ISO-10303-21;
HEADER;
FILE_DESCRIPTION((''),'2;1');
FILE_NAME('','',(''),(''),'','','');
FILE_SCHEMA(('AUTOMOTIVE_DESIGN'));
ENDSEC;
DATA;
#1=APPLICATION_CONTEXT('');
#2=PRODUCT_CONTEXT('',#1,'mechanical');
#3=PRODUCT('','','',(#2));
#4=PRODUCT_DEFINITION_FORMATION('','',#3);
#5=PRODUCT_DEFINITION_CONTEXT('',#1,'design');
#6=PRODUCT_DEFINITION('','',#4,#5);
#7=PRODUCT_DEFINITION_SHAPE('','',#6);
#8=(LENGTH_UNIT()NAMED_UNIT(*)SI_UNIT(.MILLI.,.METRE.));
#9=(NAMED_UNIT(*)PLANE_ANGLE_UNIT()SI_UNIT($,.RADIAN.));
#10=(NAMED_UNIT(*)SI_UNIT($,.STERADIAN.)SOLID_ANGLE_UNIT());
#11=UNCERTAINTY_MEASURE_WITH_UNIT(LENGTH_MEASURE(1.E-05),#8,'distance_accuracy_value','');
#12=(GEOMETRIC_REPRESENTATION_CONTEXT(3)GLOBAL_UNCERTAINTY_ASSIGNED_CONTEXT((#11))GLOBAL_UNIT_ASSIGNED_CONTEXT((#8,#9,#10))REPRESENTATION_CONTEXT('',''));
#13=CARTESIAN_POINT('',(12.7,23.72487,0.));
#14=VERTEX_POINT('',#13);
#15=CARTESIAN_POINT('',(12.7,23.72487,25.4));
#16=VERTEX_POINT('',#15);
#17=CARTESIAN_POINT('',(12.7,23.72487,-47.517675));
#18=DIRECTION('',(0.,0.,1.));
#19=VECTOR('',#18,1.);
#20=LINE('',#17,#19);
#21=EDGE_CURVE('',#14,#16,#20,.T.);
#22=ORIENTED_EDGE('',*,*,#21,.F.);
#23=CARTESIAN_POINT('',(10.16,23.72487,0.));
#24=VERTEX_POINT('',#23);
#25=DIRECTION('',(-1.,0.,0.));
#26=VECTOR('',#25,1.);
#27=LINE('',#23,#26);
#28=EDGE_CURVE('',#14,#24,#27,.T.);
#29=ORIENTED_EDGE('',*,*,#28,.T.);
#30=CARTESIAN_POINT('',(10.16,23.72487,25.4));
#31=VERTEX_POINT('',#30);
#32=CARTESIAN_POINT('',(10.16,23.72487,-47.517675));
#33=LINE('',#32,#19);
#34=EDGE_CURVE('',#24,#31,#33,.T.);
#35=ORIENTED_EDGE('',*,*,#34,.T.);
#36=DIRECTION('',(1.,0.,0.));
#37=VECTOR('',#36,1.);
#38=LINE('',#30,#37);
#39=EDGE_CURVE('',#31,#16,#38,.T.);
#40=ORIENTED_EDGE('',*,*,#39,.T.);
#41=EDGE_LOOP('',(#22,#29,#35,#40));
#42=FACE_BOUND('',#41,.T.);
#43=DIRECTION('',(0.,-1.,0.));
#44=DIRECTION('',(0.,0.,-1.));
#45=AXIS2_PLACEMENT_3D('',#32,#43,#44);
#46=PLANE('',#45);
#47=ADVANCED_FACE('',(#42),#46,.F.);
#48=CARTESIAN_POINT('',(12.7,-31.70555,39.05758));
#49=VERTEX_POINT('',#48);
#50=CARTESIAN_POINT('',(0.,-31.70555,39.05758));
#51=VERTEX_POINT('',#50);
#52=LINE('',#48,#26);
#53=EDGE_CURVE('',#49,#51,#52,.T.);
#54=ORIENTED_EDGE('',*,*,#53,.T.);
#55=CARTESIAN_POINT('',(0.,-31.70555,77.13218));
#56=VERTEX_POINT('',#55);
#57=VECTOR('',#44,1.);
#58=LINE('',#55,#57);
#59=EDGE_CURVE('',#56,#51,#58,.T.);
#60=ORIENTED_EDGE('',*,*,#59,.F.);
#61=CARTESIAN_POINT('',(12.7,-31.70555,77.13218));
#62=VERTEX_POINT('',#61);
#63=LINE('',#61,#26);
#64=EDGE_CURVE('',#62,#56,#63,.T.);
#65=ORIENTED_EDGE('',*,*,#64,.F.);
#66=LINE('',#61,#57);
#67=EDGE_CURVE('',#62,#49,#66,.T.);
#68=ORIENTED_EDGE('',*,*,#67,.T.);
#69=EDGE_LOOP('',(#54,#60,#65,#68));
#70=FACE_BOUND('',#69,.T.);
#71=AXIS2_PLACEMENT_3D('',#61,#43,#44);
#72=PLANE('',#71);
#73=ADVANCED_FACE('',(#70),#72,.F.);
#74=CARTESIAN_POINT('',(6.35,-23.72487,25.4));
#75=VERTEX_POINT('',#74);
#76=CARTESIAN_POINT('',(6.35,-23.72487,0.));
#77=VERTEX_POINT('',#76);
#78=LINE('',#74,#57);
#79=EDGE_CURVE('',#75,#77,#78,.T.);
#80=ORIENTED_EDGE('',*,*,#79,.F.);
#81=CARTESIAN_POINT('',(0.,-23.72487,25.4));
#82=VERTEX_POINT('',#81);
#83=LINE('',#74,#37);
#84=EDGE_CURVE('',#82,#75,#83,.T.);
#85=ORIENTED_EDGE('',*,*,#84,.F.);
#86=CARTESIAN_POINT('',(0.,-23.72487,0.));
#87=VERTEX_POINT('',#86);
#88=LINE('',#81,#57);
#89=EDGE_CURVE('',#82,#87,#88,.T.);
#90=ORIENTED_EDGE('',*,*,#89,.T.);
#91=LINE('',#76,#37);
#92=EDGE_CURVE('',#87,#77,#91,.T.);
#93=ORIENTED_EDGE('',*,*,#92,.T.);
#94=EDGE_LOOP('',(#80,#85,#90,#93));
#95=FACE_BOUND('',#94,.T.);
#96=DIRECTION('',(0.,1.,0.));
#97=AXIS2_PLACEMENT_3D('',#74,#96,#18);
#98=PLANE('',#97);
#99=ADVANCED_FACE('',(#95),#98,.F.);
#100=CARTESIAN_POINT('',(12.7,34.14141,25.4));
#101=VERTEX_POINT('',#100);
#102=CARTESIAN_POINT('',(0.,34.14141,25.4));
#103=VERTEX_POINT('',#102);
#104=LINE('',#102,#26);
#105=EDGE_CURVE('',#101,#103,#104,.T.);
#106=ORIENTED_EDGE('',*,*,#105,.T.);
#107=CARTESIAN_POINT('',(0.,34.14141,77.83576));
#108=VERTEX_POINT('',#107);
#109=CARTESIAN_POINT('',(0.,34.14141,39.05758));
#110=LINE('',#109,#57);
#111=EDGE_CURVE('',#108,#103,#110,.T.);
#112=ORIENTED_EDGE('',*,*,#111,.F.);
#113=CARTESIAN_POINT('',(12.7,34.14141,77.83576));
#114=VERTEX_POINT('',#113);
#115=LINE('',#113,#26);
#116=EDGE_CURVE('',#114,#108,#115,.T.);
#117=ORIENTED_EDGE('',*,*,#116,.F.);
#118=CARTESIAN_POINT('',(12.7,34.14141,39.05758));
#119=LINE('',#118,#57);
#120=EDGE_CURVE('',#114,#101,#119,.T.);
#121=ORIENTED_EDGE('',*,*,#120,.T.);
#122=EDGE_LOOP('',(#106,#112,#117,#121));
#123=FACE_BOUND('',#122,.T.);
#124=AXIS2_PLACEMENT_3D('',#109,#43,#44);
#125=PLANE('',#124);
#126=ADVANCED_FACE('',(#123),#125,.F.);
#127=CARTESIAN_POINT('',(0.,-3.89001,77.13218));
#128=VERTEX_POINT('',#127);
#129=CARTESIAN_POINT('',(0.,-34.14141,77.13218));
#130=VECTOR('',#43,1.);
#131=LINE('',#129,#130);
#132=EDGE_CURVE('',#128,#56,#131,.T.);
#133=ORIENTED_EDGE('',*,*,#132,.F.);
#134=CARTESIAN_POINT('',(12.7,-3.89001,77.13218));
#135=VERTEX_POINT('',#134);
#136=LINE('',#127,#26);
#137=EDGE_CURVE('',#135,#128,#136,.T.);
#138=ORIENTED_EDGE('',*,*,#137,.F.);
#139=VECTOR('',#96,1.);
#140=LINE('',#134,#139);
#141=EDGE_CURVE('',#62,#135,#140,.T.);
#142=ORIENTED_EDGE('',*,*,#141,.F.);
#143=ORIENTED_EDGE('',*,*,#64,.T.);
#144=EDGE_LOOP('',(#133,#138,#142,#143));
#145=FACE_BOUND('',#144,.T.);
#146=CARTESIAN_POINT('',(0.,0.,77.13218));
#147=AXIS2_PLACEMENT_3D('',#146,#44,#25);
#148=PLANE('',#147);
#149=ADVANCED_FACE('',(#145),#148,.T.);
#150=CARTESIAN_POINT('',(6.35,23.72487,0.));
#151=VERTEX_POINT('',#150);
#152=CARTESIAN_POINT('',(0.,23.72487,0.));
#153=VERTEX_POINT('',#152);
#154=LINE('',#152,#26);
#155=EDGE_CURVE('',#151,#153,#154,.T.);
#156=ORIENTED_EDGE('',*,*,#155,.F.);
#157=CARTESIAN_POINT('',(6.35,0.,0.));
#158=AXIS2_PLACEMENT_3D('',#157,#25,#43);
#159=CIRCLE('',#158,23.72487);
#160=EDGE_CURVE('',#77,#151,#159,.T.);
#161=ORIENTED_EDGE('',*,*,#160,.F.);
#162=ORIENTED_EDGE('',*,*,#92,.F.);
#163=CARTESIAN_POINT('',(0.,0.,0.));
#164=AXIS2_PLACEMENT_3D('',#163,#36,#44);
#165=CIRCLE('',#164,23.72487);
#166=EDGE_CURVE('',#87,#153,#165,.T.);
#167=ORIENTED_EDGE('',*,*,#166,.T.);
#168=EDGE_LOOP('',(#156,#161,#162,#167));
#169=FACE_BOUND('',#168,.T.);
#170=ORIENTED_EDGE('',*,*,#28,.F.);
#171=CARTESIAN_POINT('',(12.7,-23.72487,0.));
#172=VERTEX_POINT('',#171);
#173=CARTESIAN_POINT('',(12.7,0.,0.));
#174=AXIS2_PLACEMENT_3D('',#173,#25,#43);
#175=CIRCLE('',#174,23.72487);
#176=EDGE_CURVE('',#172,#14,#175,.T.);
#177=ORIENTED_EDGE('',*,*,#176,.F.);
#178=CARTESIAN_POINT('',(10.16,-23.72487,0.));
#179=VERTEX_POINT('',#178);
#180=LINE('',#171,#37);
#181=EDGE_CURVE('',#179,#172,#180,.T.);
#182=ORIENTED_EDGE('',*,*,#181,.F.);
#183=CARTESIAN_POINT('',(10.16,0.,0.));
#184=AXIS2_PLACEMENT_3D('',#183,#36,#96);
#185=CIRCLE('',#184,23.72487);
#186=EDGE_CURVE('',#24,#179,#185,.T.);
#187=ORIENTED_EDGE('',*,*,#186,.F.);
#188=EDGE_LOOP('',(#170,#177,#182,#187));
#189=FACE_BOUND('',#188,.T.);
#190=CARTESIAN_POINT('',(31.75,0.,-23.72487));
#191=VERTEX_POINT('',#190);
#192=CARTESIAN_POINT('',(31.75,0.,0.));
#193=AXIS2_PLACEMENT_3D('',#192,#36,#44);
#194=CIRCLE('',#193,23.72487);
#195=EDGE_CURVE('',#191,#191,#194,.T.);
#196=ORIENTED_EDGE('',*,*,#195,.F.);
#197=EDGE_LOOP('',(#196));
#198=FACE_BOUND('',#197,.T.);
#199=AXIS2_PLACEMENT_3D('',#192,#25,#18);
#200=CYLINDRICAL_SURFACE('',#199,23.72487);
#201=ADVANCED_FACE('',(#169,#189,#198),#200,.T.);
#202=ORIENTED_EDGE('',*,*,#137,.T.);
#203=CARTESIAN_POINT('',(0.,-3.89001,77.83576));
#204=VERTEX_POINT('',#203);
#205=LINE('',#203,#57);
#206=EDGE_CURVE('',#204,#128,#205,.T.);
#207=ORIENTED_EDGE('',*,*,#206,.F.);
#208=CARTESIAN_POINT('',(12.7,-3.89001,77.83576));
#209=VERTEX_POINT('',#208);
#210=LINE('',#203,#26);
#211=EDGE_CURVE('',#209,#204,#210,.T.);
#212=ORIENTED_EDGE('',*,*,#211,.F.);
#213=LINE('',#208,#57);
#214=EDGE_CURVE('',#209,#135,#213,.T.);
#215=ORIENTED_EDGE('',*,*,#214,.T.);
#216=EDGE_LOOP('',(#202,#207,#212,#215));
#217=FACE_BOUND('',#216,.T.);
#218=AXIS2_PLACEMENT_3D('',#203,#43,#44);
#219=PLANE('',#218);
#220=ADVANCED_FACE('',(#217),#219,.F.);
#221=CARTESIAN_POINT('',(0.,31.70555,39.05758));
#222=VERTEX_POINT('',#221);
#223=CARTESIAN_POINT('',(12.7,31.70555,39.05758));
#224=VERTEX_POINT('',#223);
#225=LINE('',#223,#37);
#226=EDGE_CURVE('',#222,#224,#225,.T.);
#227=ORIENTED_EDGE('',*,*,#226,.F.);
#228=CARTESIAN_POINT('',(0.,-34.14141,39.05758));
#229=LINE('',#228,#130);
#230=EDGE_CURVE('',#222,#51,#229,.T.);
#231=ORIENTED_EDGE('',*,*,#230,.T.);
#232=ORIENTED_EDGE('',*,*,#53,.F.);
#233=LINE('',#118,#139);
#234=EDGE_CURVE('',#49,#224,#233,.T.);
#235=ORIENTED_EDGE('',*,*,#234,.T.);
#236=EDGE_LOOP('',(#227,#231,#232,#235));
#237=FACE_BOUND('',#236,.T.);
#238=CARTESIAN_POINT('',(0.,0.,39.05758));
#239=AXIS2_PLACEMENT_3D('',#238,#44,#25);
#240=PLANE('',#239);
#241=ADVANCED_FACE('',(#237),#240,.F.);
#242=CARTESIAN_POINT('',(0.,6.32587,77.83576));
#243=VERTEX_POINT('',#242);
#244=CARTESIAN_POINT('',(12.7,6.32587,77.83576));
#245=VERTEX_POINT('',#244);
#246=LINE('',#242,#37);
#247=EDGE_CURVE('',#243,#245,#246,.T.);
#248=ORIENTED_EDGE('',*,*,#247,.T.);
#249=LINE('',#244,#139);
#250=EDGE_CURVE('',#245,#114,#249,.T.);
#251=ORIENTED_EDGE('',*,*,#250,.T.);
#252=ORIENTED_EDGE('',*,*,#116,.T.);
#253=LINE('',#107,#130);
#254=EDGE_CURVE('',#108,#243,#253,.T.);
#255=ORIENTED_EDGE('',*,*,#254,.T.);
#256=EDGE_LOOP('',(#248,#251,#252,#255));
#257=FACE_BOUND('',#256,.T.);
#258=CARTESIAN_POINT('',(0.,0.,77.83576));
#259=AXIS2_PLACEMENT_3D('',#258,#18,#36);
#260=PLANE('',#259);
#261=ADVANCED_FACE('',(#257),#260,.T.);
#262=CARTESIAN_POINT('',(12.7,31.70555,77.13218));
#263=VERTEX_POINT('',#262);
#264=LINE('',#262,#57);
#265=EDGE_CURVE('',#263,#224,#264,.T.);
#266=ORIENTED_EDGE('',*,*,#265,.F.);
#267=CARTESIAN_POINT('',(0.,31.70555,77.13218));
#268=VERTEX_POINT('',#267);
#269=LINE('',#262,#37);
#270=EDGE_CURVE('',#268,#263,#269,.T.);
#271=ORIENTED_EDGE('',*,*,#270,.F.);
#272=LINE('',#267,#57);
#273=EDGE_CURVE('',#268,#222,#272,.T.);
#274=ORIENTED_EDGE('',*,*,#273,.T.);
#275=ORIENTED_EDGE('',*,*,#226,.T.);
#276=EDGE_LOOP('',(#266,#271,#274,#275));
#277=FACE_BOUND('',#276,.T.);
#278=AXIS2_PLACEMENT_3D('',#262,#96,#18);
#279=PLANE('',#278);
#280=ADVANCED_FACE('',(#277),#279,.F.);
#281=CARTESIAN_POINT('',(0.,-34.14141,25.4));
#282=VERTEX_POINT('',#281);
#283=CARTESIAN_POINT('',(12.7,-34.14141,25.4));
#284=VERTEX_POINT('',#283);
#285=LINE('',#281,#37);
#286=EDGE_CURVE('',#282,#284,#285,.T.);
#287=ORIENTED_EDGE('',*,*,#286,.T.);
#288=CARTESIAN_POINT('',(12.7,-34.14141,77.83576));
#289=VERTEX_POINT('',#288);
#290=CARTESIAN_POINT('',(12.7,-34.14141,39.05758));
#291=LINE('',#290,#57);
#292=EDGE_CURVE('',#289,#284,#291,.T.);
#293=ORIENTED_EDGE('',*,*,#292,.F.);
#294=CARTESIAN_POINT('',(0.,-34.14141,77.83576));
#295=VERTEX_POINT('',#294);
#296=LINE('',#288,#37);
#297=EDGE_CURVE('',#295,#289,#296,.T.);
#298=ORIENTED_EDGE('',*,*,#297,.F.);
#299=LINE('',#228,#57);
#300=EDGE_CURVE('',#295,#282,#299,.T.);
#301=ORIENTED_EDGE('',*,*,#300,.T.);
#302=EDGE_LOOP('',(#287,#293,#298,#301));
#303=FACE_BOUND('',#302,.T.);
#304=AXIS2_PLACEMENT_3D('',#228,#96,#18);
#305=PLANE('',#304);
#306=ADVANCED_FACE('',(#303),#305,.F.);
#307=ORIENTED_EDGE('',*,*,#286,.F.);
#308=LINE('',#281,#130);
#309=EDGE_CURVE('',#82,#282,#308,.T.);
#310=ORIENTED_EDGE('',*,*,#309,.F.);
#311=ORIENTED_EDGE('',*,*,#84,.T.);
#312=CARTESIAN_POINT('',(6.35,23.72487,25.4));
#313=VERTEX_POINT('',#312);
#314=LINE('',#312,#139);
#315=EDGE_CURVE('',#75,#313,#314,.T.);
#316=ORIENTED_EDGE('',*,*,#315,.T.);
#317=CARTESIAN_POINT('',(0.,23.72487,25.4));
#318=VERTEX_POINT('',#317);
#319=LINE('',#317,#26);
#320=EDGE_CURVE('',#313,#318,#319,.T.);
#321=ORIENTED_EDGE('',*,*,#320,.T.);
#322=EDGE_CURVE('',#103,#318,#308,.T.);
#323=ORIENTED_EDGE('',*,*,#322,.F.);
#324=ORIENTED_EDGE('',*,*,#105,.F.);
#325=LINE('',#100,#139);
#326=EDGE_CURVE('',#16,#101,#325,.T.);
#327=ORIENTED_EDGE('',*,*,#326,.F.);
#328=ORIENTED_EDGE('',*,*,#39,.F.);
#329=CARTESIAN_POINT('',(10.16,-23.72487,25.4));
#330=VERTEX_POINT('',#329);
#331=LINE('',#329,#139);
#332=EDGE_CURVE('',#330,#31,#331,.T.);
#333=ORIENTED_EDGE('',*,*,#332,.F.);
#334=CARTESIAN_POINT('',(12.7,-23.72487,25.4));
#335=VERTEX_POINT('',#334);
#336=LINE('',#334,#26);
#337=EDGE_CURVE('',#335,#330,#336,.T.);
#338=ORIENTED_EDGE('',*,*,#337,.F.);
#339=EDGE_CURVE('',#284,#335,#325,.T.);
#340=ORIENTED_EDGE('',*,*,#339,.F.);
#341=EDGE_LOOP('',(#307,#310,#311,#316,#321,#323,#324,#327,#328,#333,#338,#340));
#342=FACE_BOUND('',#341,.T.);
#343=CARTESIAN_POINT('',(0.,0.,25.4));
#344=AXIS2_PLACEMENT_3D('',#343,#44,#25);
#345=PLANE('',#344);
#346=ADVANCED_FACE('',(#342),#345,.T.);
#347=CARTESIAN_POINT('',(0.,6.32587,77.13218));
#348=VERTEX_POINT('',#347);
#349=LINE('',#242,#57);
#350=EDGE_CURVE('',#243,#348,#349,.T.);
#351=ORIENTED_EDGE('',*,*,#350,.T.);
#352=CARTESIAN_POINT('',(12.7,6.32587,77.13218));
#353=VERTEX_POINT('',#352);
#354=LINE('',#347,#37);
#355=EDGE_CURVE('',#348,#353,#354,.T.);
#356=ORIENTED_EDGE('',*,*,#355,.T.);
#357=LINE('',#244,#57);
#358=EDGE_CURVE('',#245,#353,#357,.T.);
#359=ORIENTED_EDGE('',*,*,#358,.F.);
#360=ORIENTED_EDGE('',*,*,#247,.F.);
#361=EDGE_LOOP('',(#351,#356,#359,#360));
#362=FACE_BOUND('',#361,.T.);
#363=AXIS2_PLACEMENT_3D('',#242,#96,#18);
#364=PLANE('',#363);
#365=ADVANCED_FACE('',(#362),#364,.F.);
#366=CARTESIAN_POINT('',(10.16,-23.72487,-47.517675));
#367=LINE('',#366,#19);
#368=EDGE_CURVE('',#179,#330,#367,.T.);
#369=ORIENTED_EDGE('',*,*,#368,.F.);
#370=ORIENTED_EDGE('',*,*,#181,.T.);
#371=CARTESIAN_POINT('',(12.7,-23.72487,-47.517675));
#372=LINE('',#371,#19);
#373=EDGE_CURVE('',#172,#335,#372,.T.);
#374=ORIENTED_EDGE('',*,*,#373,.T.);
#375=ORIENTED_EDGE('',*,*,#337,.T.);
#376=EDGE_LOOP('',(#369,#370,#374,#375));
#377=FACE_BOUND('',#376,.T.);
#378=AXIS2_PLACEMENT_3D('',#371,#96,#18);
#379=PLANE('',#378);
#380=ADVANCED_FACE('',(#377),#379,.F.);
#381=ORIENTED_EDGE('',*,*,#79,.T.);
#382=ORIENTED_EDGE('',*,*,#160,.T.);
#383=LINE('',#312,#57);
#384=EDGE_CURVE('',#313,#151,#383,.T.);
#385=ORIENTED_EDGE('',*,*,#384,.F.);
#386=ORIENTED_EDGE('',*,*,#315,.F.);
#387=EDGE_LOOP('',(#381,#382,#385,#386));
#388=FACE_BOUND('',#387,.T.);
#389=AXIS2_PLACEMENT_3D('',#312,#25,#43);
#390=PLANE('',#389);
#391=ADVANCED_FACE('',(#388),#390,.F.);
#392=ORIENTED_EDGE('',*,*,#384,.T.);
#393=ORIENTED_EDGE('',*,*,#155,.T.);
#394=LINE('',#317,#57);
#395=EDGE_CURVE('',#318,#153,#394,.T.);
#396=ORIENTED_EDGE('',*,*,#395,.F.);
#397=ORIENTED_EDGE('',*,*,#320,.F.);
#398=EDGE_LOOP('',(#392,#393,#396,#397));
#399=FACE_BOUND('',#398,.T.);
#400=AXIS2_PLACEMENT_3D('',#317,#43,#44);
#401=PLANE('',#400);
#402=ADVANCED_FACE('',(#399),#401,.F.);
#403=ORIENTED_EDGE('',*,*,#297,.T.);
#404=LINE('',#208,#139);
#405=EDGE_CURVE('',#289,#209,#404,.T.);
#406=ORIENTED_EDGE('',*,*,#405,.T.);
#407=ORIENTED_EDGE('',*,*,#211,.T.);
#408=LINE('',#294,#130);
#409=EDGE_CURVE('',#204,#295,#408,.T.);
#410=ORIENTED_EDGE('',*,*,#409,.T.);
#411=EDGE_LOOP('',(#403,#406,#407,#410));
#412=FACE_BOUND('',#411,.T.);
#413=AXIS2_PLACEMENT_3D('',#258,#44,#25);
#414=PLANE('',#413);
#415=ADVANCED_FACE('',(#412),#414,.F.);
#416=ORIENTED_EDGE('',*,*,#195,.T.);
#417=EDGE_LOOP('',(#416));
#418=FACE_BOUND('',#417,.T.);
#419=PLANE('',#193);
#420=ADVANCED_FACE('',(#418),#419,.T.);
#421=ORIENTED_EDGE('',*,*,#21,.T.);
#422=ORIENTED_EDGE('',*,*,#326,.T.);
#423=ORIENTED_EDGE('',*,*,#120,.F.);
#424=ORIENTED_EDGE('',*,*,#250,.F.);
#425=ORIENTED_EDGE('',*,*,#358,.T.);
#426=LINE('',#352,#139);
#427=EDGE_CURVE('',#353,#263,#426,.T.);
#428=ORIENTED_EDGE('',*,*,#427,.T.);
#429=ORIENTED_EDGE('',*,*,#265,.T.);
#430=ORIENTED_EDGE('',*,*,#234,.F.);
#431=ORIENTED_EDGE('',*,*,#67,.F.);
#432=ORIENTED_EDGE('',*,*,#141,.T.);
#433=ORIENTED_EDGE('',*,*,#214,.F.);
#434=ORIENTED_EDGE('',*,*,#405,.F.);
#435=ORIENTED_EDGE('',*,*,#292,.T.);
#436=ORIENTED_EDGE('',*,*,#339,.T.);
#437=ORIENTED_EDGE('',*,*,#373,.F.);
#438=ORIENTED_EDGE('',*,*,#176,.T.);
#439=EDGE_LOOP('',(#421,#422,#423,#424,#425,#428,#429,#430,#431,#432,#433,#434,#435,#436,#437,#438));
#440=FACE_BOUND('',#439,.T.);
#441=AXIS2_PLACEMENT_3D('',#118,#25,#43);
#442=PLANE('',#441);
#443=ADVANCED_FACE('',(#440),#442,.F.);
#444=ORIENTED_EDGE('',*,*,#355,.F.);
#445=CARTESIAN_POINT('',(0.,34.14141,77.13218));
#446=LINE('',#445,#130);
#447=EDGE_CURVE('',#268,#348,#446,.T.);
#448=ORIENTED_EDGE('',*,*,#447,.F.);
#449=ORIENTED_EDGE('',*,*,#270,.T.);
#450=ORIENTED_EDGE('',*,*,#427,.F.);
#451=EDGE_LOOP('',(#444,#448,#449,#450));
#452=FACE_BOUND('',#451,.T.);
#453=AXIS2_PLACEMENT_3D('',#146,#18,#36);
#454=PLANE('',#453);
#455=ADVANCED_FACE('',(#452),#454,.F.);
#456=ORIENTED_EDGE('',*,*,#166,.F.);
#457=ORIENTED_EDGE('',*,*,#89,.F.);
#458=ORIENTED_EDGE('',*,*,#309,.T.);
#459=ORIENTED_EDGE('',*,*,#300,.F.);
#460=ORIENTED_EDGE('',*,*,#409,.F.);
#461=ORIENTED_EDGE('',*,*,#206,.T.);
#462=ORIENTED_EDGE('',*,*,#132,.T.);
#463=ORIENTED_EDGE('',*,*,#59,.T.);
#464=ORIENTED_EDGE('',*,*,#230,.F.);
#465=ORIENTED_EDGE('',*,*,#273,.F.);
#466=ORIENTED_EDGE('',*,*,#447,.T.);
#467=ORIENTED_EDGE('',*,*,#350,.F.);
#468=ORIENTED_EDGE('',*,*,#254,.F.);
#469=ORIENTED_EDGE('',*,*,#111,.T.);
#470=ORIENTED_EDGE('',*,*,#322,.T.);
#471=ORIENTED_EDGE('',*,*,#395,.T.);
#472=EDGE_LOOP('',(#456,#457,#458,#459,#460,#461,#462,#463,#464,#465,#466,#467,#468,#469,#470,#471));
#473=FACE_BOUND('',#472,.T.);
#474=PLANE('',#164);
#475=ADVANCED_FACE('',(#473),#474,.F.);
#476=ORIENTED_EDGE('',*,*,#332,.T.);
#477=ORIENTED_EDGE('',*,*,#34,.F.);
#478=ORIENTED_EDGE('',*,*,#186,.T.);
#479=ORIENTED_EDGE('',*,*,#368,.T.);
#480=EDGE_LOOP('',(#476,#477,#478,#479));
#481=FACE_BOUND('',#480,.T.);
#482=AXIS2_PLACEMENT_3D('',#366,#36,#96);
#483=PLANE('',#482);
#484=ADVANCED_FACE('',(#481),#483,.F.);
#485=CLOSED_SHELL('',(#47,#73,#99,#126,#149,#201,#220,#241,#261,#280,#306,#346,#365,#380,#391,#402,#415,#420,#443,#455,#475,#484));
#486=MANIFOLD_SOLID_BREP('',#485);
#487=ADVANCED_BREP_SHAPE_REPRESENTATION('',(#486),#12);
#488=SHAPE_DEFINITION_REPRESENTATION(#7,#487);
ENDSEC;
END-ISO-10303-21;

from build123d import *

# Parameters (mm, degrees)
SKETCH1_R                = 23.72487
BOSS_EXTRUDE1_DEPTH      = 31.75
SKETCH2_W                = 47.44974
SKETCH2_H                = 6.35
BOSS_EXTRUDE2_DEPTH      = 25.4
SKETCH3_W                = 12.7
SKETCH3_H                = 68.28282
BOSS_EXTRUDE3_DEPTH      = 13.65758
SKETCH4_W                = 12.7
SKETCH4_H                = 2.43586
BOSS_EXTRUDE4_DEPTH      = 38.0746
SKETCH5_W                = 12.7
SKETCH5_H                = 27.81554
SKETCH5_H_2              = 30.2514
BOSS_EXTRUDE5_DEPTH      = 0.70358
BOSS_EXTRUDE8_REACH      = 72.166
BOSS_EXTRUDE8_END_RADIUS = 23.72487
SKETCH9_W                = 2.54
SKETCH9_H                = 47.44974


with BuildPart() as part:
    # Sketch1 → Boss-Extrude1 (new body)
    with BuildSketch(Plane.YZ):
        with Locations(Location((0, 0, 0), (0, 0, 270))):
            Circle(SKETCH1_R)
    extrude(amount=BOSS_EXTRUDE1_DEPTH)

    # Sketch2 → Boss-Extrude2 (add)
    with BuildSketch(Plane(origin=(0, 0, 0), x_dir=(0, 1, 0), z_dir=(0, 0, 1))):
        with Locations((0, -3.175)):
            Rectangle(SKETCH2_W, SKETCH2_H)
    extrude(amount=BOSS_EXTRUDE2_DEPTH)

    # Sketch3 → Boss-Extrude3 (add)
    with BuildSketch(Plane.XY.offset(25.4)):
        with Locations((6.35, 0)):
            Rectangle(SKETCH3_W, SKETCH3_H)
    extrude(amount=BOSS_EXTRUDE3_DEPTH)

    # Sketch4 → Boss-Extrude4 (add)
    with BuildSketch(Plane.XY.offset(39.05758)):
        with Locations((6.35, 32.92348)):
            Rectangle(SKETCH4_W, SKETCH4_H)
        with Locations((6.35, -32.92348)):
            Rectangle(SKETCH4_W, SKETCH4_H)
    extrude(amount=BOSS_EXTRUDE4_DEPTH)

    # Sketch5 → Boss-Extrude5 (add)
    with BuildSketch(Plane.XY.offset(77.13218)):
        with Locations((6.35, 20.23364)):
            Rectangle(SKETCH5_W, SKETCH5_H)
        with Locations((6.35, -19.01571)):
            Rectangle(SKETCH5_W, SKETCH5_H_2)
    extrude(amount=BOSS_EXTRUDE5_DEPTH)

    # Boss-Extrude8: up to this cylinder (the profile starts outside it)
    boss_extrude8_end = Plane(origin=(11.43, 0, 0), z_dir=(-1, 0, 0)) * Cylinder(BOSS_EXTRUDE8_END_RADIUS, 192.78174, mode=Mode.PRIVATE)
    # Sketch9 → Boss-Extrude8 (add, up to the surface)
    with BuildSketch(Plane(origin=(0, 0, 25.4), x_dir=(1, 0, 0), z_dir=(0, 0, -1)), mode=Mode.PRIVATE) as boss_extrude8_sk1:
        with Locations((11.43, 0)):
            Rectangle(SKETCH9_W, SKETCH9_H)
    boss_extrude8_tool1 = extrude(boss_extrude8_sk1.sketch, amount=BOSS_EXTRUDE8_REACH, mode=Mode.PRIVATE) - boss_extrude8_end
    add(boss_extrude8_tool1.solids().sort_by_distance((11.43, 0, 25.4))[0])


solid = part.part
